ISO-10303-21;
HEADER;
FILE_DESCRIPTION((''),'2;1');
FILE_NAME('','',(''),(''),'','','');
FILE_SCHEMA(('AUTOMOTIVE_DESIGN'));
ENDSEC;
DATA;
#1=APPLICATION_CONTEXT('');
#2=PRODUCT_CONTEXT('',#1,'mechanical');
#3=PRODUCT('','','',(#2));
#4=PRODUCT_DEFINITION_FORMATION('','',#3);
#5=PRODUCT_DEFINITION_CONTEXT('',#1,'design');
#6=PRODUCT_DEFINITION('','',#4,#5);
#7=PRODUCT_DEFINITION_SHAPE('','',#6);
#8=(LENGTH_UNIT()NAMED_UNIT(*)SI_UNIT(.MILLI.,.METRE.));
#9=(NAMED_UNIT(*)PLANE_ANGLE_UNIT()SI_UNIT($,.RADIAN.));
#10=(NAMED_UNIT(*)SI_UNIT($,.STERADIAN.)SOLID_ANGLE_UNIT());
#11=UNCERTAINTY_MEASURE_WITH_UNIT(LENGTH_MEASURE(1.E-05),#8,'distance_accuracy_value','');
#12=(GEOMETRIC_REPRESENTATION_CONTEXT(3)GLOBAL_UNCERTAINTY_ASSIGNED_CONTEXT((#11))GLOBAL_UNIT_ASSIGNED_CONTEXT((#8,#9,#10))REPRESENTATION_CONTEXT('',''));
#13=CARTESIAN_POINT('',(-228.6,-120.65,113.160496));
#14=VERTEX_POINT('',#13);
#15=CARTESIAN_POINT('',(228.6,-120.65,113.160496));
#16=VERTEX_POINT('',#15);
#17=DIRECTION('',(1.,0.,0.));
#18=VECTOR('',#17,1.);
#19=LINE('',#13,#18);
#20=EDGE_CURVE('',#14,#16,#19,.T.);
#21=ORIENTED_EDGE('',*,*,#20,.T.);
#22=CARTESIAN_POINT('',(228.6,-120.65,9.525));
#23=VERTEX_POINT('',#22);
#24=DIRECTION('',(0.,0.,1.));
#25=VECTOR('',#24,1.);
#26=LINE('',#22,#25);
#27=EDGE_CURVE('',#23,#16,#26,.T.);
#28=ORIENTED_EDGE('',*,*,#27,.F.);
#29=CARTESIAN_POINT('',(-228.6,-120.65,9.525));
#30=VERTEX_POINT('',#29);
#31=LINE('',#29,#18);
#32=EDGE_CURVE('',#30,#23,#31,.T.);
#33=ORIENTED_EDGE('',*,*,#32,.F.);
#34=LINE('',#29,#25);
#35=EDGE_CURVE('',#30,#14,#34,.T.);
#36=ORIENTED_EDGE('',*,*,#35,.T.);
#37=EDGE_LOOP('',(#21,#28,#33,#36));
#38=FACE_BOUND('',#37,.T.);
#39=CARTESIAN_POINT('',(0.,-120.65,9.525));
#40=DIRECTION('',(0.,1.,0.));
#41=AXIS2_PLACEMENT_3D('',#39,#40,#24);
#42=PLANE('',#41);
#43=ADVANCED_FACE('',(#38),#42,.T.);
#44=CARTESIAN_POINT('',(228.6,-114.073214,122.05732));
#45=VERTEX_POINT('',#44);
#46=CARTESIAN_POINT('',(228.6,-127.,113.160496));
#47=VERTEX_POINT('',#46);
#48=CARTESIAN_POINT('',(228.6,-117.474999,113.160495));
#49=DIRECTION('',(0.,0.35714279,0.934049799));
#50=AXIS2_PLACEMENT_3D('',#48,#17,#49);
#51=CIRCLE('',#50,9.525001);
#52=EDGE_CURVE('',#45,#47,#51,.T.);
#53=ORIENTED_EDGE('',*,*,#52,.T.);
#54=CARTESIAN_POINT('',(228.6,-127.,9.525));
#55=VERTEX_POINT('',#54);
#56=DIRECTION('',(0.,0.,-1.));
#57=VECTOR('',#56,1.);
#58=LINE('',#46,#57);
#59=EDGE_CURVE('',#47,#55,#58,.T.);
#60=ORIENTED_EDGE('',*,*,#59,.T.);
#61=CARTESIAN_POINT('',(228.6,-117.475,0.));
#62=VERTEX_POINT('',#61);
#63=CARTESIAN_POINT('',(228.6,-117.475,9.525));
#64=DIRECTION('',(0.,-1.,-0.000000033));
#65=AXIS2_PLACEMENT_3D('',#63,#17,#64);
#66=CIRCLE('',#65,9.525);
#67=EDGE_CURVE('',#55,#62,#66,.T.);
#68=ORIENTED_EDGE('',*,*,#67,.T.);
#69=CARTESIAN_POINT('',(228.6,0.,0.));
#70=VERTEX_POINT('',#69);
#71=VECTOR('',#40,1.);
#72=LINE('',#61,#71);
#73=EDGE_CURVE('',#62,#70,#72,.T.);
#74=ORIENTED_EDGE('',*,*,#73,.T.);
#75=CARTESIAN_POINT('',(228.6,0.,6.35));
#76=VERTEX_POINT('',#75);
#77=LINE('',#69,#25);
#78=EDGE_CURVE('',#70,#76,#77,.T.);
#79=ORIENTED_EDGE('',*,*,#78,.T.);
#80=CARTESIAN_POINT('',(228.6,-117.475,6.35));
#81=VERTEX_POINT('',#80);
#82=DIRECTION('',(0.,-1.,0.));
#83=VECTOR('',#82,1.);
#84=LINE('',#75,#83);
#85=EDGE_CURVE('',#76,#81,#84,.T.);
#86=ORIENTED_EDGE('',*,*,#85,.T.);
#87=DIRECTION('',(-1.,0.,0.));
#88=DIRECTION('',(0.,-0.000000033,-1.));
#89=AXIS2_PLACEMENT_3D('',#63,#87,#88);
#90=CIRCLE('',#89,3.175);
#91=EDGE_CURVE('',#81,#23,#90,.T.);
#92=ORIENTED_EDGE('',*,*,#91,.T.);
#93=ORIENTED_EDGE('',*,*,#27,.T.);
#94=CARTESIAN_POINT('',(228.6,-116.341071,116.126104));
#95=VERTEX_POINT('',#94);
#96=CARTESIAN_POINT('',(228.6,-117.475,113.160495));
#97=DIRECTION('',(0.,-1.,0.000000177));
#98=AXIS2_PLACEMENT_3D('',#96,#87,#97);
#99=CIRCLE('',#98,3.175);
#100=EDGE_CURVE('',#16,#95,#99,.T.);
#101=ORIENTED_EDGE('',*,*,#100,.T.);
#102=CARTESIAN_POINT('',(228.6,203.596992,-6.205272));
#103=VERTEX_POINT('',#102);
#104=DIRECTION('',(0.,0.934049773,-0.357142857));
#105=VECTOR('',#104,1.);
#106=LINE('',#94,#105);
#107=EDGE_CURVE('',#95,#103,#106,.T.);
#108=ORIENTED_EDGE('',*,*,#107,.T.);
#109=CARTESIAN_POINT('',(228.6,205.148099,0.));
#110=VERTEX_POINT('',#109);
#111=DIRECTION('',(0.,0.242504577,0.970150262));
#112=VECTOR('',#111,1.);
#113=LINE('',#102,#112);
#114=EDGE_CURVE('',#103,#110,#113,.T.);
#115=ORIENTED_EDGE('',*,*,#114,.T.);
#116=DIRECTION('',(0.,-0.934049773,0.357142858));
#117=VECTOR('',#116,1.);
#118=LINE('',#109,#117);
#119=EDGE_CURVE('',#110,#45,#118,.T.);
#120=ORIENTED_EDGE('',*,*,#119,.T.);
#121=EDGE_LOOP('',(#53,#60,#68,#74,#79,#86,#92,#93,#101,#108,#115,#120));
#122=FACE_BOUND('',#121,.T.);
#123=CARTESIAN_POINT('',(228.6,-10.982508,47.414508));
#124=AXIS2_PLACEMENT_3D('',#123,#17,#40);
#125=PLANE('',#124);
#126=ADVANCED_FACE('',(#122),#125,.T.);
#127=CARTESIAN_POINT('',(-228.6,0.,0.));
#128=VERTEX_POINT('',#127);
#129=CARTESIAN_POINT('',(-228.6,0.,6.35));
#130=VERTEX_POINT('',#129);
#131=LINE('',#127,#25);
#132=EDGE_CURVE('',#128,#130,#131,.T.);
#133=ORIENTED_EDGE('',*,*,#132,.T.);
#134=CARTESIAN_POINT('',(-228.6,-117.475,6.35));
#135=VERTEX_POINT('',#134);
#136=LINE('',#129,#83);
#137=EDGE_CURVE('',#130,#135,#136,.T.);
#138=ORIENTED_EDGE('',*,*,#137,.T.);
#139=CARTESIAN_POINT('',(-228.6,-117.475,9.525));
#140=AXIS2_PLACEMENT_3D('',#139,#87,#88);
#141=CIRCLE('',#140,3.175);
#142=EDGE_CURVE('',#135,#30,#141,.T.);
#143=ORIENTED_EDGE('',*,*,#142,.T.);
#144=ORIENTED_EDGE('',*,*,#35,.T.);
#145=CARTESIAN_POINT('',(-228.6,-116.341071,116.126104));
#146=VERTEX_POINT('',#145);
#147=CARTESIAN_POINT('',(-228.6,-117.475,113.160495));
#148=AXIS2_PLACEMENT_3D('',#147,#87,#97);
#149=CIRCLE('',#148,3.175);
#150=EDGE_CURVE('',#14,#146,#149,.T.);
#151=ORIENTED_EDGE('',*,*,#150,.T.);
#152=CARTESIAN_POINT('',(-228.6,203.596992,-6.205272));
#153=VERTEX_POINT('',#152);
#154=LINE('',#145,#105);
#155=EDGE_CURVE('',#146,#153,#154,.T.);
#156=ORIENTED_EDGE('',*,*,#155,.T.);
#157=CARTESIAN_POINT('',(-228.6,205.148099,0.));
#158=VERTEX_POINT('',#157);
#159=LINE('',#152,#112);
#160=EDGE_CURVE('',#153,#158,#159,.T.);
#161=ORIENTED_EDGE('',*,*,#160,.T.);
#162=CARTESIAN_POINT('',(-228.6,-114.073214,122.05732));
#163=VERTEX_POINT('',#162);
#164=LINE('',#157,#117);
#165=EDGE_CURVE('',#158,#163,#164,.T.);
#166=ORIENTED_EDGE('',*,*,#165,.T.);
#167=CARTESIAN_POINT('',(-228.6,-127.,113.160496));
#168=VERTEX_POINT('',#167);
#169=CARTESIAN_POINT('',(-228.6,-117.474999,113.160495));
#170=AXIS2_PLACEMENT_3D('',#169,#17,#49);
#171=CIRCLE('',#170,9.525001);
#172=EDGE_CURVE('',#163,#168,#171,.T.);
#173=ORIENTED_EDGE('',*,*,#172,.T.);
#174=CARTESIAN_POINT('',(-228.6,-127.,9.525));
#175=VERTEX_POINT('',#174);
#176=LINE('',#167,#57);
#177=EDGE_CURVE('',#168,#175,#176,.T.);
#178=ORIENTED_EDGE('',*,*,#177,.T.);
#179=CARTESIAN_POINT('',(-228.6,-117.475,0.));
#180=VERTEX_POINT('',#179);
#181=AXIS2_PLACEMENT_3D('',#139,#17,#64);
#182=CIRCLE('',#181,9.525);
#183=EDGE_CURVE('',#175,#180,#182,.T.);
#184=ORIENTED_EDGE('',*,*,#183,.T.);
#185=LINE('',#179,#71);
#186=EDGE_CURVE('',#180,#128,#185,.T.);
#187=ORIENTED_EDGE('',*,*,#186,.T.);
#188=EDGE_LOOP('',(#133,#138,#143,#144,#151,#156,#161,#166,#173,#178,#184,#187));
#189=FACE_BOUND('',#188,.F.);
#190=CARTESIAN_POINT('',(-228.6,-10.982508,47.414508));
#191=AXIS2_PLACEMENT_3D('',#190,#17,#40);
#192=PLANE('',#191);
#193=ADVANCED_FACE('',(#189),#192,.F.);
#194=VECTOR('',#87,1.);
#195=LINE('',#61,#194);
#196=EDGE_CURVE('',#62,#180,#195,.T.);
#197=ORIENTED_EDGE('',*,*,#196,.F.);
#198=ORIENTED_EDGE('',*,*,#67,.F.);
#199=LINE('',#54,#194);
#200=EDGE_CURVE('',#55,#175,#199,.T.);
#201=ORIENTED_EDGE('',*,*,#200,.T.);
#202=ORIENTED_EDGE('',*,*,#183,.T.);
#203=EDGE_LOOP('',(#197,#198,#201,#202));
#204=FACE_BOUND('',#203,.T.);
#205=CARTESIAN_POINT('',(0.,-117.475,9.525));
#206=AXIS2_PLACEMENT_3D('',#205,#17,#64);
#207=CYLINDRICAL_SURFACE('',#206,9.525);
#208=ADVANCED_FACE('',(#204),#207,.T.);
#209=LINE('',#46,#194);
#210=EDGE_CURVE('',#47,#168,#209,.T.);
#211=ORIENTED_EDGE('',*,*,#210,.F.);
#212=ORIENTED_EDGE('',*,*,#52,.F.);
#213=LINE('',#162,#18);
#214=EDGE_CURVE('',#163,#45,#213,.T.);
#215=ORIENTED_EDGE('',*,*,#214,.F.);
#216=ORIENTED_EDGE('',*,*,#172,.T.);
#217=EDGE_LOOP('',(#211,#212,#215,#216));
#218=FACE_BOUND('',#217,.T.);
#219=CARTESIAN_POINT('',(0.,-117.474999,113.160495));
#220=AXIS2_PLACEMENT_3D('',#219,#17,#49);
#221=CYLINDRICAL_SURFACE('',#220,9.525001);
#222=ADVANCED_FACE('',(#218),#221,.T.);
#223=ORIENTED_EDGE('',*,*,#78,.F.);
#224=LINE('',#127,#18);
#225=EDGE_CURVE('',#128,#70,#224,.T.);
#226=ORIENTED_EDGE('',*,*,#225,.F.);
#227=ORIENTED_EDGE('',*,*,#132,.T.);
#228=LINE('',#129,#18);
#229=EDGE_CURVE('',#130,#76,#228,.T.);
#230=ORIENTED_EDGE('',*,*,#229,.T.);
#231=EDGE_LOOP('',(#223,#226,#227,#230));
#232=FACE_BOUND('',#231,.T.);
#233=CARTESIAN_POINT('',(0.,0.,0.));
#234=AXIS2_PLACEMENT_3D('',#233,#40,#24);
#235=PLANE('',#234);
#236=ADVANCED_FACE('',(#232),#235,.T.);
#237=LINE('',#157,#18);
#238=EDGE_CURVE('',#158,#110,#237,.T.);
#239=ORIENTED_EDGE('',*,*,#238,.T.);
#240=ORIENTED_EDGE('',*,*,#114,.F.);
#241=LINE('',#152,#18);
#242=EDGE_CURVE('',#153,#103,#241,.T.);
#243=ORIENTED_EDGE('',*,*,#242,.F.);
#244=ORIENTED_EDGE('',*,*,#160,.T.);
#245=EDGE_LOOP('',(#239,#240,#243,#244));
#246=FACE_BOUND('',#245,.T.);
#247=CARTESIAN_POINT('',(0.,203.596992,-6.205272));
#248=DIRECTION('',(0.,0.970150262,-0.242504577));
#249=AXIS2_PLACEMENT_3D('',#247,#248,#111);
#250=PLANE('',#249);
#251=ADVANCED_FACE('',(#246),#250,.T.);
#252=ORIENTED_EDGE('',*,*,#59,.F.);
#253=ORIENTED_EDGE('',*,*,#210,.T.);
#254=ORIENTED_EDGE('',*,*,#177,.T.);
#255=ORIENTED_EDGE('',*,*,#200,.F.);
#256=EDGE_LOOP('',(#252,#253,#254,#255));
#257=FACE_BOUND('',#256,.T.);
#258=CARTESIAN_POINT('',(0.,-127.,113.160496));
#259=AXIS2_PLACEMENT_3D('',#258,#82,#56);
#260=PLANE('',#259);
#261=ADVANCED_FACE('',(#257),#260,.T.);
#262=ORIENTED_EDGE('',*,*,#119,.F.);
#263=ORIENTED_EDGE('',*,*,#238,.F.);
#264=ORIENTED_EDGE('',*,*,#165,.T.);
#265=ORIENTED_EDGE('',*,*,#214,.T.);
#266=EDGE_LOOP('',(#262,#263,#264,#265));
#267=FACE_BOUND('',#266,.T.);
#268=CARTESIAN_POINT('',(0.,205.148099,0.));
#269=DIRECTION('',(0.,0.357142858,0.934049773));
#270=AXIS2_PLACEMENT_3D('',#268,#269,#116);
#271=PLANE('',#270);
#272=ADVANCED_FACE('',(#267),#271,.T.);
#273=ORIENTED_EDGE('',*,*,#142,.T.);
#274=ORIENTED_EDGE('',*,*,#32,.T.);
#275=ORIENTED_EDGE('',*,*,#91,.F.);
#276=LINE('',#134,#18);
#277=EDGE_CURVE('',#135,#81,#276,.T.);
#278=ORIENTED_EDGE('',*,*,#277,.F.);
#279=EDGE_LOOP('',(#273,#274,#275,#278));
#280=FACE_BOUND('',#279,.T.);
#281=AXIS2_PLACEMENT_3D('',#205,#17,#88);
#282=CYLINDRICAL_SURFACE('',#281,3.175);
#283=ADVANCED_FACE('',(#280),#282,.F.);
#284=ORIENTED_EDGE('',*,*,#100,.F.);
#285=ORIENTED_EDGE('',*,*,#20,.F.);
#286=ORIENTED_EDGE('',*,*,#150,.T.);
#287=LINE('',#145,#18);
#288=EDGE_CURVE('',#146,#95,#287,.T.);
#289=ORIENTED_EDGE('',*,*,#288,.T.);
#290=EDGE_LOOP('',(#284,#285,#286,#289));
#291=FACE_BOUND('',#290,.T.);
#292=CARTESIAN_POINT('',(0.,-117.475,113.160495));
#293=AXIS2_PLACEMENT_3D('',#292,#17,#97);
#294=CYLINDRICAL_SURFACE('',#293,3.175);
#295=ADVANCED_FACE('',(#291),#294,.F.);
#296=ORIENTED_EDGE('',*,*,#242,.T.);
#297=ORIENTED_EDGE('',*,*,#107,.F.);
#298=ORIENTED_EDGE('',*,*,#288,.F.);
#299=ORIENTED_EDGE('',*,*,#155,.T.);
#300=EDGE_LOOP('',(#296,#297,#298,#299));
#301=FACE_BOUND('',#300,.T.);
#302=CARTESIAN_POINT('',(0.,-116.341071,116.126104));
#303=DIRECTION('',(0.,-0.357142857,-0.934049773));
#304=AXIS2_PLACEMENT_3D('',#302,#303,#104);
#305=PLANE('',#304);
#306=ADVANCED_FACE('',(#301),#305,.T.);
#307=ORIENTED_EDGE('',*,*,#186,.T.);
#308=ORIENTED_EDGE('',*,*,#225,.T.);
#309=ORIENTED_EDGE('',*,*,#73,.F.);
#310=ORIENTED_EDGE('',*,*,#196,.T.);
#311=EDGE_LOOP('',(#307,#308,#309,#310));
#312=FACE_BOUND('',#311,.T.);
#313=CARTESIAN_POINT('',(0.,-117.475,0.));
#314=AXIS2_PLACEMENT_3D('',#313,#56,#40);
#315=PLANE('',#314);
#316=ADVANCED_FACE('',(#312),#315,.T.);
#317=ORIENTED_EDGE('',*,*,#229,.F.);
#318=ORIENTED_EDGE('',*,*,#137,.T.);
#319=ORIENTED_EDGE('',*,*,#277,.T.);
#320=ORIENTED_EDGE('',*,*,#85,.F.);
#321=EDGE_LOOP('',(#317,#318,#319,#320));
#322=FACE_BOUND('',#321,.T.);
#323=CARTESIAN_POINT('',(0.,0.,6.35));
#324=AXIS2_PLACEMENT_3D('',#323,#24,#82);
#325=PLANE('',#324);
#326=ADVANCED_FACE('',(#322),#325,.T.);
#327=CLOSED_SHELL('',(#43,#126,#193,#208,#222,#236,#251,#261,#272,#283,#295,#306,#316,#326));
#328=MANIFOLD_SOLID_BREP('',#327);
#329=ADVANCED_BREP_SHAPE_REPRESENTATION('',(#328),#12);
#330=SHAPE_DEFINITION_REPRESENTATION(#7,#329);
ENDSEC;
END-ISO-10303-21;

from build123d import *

# Parameters (mm, degrees)
F1_DEPTH      = 228.6
F1_DEPTH_BACK = 228.6


with BuildPart() as f1:
    # F0 (on Right) → F1 (new body, two sides)
    with BuildSketch(Plane.YZ) as f1_sk:
        with BuildLine():
            Line((-117.475, 0), (0, 0))
            Line((0, 0), (0, 6.35))
            Line((0, 6.35), (-117.475, 6.35))
            ThreePointArc((-117.475, 6.35), (-119.720064, 7.279936), (-120.65, 9.525))
            Line((-120.65, 9.525), (-120.65, 113.160496))
            ThreePointArc((-120.65, 113.160496), (-119.275056, 115.775916), (-116.341071, 116.126104))
            Line((-116.341071, 116.126104), (203.596992, -6.205272))
            Line((203.596992, -6.205272), (205.148099, 0))
            Line((205.148099, 0), (-114.073214, 122.05732))
            ThreePointArc((-114.073214, 122.05732), (-122.875167, 121.006757), (-127, 113.160496))
            Line((-127, 113.160496), (-127, 9.525))
            ThreePointArc((-127, 9.525), (-124.210192, 2.789808), (-117.475, 0))
        make_face()
    extrude(amount=F1_DEPTH)
    extrude(f1_sk.sketch, amount=-F1_DEPTH_BACK)


solid = f1.part
